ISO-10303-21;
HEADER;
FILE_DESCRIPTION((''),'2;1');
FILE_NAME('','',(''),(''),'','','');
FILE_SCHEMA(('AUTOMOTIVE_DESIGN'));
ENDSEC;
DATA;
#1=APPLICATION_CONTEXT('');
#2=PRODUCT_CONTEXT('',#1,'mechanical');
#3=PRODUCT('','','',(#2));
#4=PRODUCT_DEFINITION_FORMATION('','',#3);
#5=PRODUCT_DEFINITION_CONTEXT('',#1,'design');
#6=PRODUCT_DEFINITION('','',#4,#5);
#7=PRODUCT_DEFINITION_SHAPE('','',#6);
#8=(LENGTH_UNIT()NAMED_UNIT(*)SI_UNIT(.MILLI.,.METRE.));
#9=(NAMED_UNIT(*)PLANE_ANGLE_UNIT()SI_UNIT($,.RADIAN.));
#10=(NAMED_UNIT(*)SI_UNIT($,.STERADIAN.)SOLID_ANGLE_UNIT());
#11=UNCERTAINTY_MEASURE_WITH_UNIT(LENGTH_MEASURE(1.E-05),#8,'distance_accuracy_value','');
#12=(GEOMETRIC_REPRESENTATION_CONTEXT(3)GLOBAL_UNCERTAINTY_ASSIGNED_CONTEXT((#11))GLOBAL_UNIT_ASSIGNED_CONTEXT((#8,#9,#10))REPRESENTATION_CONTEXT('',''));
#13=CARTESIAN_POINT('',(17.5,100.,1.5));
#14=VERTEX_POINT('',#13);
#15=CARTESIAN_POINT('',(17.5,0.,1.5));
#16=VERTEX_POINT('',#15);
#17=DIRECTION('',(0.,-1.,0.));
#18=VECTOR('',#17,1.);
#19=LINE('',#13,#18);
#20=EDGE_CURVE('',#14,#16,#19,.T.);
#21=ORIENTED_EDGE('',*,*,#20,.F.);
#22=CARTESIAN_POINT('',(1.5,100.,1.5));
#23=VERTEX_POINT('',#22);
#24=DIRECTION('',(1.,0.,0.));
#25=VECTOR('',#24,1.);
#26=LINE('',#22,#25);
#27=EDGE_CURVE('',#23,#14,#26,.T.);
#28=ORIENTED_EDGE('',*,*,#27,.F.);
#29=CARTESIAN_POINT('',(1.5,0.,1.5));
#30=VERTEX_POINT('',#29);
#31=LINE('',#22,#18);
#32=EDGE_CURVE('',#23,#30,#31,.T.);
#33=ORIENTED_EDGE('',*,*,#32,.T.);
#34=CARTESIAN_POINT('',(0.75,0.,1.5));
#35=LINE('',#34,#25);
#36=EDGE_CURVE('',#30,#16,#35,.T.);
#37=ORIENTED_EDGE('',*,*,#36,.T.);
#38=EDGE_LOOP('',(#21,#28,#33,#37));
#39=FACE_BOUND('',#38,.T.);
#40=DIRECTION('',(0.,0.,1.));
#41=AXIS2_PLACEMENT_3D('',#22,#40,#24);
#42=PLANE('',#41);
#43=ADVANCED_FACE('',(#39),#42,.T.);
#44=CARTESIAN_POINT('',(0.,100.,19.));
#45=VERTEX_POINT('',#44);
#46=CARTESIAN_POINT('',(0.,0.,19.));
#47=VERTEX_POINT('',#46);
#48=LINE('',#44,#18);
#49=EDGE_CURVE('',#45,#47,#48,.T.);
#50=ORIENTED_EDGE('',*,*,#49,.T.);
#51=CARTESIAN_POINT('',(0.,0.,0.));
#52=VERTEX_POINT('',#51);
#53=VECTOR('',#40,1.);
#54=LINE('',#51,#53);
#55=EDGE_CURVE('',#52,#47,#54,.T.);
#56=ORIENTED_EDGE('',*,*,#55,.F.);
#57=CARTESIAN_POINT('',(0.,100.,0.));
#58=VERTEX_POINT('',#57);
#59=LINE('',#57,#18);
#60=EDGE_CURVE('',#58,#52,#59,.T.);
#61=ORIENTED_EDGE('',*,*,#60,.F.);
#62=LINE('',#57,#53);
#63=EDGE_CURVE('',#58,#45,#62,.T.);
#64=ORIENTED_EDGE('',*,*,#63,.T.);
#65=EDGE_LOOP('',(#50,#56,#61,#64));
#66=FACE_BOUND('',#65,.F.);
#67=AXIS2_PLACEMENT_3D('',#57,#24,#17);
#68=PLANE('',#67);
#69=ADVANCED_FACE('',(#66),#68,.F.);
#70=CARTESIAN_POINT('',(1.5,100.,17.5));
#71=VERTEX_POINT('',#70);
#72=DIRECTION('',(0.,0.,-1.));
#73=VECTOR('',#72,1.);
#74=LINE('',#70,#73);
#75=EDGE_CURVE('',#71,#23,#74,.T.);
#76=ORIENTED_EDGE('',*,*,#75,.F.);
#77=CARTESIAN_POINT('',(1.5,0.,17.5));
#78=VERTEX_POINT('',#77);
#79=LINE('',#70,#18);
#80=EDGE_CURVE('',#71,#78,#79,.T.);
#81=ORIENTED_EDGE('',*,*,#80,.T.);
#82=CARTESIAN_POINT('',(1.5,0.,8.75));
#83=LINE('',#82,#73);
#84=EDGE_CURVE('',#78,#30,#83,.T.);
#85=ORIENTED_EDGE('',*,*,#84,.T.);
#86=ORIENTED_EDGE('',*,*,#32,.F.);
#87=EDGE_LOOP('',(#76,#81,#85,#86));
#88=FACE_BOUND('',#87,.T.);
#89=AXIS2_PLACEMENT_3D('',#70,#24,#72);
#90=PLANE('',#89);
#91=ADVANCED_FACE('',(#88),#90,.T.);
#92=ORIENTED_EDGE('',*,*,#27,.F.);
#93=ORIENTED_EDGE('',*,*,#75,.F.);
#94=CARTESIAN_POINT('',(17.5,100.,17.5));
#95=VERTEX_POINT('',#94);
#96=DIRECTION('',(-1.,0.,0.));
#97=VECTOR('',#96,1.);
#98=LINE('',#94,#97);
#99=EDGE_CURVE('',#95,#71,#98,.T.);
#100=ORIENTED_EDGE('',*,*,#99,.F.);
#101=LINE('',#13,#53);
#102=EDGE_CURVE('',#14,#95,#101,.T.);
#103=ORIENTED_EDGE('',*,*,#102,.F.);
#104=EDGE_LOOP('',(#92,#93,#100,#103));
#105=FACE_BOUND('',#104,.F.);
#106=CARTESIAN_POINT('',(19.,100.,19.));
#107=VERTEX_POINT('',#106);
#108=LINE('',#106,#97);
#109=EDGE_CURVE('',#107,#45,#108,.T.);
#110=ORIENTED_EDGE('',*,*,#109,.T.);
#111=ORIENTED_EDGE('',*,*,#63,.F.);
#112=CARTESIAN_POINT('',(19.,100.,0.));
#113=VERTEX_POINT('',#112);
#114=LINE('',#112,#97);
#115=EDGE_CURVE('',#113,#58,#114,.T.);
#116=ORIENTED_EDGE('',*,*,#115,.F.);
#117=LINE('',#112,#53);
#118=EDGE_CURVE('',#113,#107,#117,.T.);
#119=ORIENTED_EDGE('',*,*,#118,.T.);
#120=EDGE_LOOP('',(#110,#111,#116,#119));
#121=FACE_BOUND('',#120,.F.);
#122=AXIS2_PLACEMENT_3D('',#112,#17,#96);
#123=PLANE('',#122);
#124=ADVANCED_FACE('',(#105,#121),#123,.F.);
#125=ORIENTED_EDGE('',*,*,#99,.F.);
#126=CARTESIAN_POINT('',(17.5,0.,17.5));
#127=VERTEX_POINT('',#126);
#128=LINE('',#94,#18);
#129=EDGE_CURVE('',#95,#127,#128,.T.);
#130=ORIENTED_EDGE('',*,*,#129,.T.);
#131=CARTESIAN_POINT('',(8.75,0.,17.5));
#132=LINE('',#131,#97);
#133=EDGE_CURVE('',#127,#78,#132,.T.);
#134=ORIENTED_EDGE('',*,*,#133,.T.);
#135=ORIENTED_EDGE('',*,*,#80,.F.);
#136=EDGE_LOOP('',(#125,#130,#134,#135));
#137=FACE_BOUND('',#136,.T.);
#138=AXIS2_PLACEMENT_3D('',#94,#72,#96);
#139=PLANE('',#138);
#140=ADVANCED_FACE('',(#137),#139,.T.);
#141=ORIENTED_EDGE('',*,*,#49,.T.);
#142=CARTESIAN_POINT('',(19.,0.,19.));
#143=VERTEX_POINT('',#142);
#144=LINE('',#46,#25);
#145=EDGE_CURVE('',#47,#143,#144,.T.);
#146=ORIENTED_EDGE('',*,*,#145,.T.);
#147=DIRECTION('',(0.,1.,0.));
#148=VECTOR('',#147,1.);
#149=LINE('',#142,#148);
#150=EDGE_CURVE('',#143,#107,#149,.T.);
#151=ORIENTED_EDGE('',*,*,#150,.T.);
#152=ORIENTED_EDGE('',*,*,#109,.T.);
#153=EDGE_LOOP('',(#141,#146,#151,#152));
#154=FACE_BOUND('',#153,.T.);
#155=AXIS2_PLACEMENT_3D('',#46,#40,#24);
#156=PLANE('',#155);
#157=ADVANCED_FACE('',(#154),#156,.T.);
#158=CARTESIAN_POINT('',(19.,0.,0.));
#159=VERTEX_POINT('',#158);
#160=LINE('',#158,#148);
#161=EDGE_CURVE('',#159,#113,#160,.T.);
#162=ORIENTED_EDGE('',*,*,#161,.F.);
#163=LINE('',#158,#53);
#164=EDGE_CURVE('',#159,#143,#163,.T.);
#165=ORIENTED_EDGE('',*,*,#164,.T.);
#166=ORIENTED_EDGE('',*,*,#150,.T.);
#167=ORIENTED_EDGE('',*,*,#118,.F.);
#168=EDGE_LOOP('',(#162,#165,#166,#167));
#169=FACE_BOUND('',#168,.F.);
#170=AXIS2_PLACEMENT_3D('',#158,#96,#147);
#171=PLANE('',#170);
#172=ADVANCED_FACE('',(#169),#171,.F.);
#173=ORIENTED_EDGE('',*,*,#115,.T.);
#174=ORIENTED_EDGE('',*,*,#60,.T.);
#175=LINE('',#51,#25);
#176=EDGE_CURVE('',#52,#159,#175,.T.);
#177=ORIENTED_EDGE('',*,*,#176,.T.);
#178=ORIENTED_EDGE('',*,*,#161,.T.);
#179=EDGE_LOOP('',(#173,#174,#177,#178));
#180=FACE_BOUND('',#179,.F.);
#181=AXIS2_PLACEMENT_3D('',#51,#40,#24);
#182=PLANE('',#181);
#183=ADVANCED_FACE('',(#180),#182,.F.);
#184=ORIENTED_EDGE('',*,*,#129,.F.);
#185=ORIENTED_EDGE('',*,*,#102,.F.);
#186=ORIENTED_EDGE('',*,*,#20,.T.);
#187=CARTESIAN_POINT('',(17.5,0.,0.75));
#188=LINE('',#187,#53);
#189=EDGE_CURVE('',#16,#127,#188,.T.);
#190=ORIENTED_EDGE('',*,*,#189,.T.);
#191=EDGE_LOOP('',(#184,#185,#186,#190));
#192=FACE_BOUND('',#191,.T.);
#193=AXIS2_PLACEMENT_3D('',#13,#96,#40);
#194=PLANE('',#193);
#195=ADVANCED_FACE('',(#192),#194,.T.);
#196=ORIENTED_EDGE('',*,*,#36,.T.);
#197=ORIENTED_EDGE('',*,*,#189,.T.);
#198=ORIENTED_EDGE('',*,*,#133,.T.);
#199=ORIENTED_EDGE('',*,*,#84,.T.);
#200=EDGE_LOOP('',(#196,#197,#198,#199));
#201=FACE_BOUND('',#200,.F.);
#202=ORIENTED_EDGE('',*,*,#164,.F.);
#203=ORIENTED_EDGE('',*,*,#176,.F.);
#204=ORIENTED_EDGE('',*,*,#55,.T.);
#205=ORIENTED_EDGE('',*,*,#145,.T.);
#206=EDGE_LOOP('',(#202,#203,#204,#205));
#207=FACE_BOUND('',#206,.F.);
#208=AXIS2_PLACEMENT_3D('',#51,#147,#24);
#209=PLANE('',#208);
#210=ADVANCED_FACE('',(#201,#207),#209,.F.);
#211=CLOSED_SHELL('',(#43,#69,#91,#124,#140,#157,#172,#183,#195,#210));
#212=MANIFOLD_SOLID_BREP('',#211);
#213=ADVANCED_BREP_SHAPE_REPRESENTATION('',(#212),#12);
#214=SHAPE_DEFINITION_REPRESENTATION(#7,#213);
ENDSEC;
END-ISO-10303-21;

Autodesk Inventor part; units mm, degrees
ref_plane "YZ Plane" through (0, 0, 0) normal (1, 0, 0) x (0, 1, 0)
ref_plane "XZ Plane" through (0, 0, 0) normal (0, 1, 0) x (-1, 0, 0)
ref_plane "XY Plane" through (0, 0, 0) normal (0, 0, 1) x (1, 0, 0)
sketch "Sketch1" plane through (0, 0, 0) normal (0, 0, 1) x (1, 0, 0)
  line L0 (0, 0) -> (19, 0)
  line L1 (19, 0) -> (19, 100)
  line L2 (19, 100) -> (0, 100)
  line L3 (0, 100) -> (0, 0)
  dimension "d0" = 19
  dimension "d1" = 100
extrude "Extrusion1" add sketch "Sketch1" along normal blind 19
sketch "Sketch3" plane through (0, 100, 0) normal (0, 1, 0) x (1, 0, 0)
  line L0 (19, 0) -> (0, 0) projected
  line L1 (0, 0) -> (0, -19) projected
  line L2 (19, -19) -> (0, -19) projected
  line L3 (19, 0) -> (19, -19) projected
  line L4 (1.5, -17.5) -> (1.5, -1.5)
  line L5 (1.5, -1.5) -> (17.5, -1.5)
  line L6 (17.5, -1.5) -> (17.5, -17.5)
  line L7 (17.5, -17.5) -> (1.5, -17.5)
  point P0 (0, 0)
  dimension "d4" = 1.5
extrude "Extrusion2" cut sketch "Sketch3" against normal through all contours L4 L5 L6 L7
properties part number "C006" material "Aluminum 6061"
